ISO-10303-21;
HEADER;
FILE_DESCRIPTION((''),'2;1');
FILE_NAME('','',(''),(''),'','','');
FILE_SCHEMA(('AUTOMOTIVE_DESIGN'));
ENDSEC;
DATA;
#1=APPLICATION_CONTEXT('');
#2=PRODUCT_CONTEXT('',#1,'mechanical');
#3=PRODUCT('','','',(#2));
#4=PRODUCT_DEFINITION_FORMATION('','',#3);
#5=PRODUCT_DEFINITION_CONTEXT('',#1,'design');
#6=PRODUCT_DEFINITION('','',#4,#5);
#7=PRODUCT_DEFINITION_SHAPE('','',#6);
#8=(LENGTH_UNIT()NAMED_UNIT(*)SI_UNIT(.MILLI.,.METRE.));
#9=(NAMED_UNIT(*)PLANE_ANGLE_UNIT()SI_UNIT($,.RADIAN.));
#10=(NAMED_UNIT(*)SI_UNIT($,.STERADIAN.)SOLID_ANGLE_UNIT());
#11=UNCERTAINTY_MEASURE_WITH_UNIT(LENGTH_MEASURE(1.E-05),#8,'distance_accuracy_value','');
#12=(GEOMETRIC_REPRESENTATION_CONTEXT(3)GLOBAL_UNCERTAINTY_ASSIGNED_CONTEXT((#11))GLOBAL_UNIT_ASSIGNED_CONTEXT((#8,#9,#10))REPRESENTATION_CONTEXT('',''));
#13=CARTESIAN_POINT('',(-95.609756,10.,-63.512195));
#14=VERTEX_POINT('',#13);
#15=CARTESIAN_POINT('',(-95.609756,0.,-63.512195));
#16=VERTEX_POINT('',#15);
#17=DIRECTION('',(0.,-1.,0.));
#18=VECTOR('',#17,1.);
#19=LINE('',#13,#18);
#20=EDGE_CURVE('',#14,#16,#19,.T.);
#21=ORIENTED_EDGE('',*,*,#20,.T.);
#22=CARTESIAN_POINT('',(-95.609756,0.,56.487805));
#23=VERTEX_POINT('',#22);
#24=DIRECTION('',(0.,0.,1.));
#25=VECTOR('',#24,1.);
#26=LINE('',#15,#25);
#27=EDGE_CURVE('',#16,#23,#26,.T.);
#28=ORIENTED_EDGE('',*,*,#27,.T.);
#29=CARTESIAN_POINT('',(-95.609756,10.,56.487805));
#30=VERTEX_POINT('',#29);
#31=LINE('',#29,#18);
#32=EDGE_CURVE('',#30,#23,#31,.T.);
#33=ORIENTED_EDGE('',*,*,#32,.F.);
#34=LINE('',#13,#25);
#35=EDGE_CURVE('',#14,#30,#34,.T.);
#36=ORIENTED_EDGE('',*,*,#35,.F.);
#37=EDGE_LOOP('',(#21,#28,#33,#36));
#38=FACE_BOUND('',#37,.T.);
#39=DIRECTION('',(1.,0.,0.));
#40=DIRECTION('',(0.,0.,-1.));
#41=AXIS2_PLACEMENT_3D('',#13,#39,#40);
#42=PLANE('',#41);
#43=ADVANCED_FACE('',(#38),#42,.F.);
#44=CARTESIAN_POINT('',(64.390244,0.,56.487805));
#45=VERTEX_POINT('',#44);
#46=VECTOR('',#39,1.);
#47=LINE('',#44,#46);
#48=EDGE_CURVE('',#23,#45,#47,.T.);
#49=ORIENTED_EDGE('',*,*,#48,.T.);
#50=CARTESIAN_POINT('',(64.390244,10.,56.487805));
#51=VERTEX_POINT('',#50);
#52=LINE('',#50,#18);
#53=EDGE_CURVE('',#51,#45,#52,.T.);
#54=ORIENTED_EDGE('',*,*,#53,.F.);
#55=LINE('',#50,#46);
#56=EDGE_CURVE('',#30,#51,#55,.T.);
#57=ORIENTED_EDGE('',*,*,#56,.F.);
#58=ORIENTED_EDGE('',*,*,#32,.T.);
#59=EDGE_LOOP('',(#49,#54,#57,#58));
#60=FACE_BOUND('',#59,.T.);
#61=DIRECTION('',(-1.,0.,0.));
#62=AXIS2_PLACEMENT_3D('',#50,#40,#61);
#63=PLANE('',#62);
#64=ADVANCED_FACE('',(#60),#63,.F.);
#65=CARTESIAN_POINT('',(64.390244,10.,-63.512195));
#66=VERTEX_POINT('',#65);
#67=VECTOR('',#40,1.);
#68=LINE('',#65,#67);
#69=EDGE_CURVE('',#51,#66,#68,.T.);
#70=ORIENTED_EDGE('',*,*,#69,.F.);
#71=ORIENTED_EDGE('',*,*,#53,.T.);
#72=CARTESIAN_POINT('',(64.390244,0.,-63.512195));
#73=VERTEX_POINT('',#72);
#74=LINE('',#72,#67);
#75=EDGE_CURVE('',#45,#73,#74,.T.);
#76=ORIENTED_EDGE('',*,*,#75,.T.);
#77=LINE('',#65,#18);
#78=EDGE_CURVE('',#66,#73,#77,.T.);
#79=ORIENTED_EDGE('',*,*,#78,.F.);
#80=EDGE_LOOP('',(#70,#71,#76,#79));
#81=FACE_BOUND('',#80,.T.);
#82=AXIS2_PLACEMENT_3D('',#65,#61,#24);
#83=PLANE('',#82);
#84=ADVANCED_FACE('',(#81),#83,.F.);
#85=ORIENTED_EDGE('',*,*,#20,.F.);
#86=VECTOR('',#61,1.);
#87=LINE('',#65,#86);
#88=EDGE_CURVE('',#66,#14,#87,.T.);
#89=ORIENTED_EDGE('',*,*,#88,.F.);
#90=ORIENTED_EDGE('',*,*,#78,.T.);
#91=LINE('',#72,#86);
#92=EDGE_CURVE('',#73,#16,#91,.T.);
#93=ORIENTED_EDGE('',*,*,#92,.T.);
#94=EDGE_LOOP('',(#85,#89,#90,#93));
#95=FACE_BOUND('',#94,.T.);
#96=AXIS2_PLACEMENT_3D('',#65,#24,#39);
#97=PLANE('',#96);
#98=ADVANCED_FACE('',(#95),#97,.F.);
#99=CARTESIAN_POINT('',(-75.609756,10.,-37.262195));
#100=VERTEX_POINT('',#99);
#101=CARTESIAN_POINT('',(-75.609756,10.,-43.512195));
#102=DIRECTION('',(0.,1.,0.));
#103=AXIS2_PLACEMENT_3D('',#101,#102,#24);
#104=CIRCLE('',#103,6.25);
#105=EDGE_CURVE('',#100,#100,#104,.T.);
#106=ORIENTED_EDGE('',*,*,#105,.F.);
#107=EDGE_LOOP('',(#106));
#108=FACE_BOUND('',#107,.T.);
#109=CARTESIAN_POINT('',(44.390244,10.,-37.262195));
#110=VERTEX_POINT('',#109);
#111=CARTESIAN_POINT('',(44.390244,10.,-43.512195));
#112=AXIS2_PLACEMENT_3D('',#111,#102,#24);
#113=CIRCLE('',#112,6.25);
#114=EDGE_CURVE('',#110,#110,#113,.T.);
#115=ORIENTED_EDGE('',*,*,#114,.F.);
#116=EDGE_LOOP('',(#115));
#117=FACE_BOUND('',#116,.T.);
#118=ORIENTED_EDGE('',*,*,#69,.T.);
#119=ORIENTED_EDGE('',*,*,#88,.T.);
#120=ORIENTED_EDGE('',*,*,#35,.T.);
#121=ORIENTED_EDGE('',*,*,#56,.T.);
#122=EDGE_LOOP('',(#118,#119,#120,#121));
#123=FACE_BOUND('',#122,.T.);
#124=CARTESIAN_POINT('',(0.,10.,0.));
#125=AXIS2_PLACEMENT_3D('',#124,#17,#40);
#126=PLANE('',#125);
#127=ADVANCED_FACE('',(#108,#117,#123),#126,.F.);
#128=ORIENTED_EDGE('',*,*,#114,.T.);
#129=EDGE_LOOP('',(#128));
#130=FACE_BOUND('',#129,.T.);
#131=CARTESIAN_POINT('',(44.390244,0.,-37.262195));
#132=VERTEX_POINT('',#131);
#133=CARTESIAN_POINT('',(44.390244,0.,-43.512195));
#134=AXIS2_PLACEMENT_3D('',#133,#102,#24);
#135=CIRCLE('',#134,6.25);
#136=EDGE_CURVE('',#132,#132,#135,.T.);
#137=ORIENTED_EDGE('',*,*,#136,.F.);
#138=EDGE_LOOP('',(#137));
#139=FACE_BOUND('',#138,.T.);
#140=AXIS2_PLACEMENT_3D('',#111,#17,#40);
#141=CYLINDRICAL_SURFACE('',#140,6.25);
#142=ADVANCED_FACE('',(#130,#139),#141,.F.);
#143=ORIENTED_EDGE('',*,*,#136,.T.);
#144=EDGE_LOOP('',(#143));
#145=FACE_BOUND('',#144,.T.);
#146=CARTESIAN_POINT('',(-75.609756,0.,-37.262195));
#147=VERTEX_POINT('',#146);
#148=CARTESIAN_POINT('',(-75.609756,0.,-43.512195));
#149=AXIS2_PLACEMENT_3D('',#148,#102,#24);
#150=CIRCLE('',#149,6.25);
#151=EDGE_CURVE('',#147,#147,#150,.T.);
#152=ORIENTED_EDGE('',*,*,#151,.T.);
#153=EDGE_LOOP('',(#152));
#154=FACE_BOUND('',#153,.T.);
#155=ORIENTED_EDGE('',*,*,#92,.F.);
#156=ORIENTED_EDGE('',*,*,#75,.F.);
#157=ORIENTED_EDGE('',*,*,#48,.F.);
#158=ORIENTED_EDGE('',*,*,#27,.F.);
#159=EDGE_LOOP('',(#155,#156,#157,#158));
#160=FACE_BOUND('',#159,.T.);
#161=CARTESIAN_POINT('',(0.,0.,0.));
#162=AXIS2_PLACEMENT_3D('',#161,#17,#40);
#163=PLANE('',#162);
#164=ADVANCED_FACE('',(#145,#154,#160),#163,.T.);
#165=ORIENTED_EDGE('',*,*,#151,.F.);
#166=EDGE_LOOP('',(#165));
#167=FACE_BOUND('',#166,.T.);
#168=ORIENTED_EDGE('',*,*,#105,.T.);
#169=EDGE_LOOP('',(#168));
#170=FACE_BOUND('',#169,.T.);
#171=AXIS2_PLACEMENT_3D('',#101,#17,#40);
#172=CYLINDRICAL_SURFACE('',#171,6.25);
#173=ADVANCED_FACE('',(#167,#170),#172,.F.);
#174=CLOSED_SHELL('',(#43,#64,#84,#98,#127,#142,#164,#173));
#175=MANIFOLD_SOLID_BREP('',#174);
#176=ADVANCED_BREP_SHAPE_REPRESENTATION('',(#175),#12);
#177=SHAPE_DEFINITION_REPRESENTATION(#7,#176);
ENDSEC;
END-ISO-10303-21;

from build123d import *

# Parameters (mm, degrees)
SKETCH1_W           = 160
SKETCH1_H           = 120
SKETCH1_R           = 6.25
BOSS_EXTRUDE1_DEPTH = 10


with BuildPart() as part:
    # Sketch1 → Boss-Extrude1 (new body)
    with BuildSketch(Plane(origin=(0, 0, 0), x_dir=(1, 0, 0), z_dir=(0, 1, 0))):
        with Locations((-15.609756098, 3.512195122)):
            Rectangle(SKETCH1_W, SKETCH1_H)
        with Locations(Location((44.390243902, 43.512195122, 0), (0, 0, 270))):
            Circle(SKETCH1_R, mode=Mode.SUBTRACT)
        with Locations(Location((-75.609756098, 43.512195122, 0), (0, 0, 270))):
            Circle(SKETCH1_R, mode=Mode.SUBTRACT)
    extrude(amount=BOSS_EXTRUDE1_DEPTH)


solid = part.part
